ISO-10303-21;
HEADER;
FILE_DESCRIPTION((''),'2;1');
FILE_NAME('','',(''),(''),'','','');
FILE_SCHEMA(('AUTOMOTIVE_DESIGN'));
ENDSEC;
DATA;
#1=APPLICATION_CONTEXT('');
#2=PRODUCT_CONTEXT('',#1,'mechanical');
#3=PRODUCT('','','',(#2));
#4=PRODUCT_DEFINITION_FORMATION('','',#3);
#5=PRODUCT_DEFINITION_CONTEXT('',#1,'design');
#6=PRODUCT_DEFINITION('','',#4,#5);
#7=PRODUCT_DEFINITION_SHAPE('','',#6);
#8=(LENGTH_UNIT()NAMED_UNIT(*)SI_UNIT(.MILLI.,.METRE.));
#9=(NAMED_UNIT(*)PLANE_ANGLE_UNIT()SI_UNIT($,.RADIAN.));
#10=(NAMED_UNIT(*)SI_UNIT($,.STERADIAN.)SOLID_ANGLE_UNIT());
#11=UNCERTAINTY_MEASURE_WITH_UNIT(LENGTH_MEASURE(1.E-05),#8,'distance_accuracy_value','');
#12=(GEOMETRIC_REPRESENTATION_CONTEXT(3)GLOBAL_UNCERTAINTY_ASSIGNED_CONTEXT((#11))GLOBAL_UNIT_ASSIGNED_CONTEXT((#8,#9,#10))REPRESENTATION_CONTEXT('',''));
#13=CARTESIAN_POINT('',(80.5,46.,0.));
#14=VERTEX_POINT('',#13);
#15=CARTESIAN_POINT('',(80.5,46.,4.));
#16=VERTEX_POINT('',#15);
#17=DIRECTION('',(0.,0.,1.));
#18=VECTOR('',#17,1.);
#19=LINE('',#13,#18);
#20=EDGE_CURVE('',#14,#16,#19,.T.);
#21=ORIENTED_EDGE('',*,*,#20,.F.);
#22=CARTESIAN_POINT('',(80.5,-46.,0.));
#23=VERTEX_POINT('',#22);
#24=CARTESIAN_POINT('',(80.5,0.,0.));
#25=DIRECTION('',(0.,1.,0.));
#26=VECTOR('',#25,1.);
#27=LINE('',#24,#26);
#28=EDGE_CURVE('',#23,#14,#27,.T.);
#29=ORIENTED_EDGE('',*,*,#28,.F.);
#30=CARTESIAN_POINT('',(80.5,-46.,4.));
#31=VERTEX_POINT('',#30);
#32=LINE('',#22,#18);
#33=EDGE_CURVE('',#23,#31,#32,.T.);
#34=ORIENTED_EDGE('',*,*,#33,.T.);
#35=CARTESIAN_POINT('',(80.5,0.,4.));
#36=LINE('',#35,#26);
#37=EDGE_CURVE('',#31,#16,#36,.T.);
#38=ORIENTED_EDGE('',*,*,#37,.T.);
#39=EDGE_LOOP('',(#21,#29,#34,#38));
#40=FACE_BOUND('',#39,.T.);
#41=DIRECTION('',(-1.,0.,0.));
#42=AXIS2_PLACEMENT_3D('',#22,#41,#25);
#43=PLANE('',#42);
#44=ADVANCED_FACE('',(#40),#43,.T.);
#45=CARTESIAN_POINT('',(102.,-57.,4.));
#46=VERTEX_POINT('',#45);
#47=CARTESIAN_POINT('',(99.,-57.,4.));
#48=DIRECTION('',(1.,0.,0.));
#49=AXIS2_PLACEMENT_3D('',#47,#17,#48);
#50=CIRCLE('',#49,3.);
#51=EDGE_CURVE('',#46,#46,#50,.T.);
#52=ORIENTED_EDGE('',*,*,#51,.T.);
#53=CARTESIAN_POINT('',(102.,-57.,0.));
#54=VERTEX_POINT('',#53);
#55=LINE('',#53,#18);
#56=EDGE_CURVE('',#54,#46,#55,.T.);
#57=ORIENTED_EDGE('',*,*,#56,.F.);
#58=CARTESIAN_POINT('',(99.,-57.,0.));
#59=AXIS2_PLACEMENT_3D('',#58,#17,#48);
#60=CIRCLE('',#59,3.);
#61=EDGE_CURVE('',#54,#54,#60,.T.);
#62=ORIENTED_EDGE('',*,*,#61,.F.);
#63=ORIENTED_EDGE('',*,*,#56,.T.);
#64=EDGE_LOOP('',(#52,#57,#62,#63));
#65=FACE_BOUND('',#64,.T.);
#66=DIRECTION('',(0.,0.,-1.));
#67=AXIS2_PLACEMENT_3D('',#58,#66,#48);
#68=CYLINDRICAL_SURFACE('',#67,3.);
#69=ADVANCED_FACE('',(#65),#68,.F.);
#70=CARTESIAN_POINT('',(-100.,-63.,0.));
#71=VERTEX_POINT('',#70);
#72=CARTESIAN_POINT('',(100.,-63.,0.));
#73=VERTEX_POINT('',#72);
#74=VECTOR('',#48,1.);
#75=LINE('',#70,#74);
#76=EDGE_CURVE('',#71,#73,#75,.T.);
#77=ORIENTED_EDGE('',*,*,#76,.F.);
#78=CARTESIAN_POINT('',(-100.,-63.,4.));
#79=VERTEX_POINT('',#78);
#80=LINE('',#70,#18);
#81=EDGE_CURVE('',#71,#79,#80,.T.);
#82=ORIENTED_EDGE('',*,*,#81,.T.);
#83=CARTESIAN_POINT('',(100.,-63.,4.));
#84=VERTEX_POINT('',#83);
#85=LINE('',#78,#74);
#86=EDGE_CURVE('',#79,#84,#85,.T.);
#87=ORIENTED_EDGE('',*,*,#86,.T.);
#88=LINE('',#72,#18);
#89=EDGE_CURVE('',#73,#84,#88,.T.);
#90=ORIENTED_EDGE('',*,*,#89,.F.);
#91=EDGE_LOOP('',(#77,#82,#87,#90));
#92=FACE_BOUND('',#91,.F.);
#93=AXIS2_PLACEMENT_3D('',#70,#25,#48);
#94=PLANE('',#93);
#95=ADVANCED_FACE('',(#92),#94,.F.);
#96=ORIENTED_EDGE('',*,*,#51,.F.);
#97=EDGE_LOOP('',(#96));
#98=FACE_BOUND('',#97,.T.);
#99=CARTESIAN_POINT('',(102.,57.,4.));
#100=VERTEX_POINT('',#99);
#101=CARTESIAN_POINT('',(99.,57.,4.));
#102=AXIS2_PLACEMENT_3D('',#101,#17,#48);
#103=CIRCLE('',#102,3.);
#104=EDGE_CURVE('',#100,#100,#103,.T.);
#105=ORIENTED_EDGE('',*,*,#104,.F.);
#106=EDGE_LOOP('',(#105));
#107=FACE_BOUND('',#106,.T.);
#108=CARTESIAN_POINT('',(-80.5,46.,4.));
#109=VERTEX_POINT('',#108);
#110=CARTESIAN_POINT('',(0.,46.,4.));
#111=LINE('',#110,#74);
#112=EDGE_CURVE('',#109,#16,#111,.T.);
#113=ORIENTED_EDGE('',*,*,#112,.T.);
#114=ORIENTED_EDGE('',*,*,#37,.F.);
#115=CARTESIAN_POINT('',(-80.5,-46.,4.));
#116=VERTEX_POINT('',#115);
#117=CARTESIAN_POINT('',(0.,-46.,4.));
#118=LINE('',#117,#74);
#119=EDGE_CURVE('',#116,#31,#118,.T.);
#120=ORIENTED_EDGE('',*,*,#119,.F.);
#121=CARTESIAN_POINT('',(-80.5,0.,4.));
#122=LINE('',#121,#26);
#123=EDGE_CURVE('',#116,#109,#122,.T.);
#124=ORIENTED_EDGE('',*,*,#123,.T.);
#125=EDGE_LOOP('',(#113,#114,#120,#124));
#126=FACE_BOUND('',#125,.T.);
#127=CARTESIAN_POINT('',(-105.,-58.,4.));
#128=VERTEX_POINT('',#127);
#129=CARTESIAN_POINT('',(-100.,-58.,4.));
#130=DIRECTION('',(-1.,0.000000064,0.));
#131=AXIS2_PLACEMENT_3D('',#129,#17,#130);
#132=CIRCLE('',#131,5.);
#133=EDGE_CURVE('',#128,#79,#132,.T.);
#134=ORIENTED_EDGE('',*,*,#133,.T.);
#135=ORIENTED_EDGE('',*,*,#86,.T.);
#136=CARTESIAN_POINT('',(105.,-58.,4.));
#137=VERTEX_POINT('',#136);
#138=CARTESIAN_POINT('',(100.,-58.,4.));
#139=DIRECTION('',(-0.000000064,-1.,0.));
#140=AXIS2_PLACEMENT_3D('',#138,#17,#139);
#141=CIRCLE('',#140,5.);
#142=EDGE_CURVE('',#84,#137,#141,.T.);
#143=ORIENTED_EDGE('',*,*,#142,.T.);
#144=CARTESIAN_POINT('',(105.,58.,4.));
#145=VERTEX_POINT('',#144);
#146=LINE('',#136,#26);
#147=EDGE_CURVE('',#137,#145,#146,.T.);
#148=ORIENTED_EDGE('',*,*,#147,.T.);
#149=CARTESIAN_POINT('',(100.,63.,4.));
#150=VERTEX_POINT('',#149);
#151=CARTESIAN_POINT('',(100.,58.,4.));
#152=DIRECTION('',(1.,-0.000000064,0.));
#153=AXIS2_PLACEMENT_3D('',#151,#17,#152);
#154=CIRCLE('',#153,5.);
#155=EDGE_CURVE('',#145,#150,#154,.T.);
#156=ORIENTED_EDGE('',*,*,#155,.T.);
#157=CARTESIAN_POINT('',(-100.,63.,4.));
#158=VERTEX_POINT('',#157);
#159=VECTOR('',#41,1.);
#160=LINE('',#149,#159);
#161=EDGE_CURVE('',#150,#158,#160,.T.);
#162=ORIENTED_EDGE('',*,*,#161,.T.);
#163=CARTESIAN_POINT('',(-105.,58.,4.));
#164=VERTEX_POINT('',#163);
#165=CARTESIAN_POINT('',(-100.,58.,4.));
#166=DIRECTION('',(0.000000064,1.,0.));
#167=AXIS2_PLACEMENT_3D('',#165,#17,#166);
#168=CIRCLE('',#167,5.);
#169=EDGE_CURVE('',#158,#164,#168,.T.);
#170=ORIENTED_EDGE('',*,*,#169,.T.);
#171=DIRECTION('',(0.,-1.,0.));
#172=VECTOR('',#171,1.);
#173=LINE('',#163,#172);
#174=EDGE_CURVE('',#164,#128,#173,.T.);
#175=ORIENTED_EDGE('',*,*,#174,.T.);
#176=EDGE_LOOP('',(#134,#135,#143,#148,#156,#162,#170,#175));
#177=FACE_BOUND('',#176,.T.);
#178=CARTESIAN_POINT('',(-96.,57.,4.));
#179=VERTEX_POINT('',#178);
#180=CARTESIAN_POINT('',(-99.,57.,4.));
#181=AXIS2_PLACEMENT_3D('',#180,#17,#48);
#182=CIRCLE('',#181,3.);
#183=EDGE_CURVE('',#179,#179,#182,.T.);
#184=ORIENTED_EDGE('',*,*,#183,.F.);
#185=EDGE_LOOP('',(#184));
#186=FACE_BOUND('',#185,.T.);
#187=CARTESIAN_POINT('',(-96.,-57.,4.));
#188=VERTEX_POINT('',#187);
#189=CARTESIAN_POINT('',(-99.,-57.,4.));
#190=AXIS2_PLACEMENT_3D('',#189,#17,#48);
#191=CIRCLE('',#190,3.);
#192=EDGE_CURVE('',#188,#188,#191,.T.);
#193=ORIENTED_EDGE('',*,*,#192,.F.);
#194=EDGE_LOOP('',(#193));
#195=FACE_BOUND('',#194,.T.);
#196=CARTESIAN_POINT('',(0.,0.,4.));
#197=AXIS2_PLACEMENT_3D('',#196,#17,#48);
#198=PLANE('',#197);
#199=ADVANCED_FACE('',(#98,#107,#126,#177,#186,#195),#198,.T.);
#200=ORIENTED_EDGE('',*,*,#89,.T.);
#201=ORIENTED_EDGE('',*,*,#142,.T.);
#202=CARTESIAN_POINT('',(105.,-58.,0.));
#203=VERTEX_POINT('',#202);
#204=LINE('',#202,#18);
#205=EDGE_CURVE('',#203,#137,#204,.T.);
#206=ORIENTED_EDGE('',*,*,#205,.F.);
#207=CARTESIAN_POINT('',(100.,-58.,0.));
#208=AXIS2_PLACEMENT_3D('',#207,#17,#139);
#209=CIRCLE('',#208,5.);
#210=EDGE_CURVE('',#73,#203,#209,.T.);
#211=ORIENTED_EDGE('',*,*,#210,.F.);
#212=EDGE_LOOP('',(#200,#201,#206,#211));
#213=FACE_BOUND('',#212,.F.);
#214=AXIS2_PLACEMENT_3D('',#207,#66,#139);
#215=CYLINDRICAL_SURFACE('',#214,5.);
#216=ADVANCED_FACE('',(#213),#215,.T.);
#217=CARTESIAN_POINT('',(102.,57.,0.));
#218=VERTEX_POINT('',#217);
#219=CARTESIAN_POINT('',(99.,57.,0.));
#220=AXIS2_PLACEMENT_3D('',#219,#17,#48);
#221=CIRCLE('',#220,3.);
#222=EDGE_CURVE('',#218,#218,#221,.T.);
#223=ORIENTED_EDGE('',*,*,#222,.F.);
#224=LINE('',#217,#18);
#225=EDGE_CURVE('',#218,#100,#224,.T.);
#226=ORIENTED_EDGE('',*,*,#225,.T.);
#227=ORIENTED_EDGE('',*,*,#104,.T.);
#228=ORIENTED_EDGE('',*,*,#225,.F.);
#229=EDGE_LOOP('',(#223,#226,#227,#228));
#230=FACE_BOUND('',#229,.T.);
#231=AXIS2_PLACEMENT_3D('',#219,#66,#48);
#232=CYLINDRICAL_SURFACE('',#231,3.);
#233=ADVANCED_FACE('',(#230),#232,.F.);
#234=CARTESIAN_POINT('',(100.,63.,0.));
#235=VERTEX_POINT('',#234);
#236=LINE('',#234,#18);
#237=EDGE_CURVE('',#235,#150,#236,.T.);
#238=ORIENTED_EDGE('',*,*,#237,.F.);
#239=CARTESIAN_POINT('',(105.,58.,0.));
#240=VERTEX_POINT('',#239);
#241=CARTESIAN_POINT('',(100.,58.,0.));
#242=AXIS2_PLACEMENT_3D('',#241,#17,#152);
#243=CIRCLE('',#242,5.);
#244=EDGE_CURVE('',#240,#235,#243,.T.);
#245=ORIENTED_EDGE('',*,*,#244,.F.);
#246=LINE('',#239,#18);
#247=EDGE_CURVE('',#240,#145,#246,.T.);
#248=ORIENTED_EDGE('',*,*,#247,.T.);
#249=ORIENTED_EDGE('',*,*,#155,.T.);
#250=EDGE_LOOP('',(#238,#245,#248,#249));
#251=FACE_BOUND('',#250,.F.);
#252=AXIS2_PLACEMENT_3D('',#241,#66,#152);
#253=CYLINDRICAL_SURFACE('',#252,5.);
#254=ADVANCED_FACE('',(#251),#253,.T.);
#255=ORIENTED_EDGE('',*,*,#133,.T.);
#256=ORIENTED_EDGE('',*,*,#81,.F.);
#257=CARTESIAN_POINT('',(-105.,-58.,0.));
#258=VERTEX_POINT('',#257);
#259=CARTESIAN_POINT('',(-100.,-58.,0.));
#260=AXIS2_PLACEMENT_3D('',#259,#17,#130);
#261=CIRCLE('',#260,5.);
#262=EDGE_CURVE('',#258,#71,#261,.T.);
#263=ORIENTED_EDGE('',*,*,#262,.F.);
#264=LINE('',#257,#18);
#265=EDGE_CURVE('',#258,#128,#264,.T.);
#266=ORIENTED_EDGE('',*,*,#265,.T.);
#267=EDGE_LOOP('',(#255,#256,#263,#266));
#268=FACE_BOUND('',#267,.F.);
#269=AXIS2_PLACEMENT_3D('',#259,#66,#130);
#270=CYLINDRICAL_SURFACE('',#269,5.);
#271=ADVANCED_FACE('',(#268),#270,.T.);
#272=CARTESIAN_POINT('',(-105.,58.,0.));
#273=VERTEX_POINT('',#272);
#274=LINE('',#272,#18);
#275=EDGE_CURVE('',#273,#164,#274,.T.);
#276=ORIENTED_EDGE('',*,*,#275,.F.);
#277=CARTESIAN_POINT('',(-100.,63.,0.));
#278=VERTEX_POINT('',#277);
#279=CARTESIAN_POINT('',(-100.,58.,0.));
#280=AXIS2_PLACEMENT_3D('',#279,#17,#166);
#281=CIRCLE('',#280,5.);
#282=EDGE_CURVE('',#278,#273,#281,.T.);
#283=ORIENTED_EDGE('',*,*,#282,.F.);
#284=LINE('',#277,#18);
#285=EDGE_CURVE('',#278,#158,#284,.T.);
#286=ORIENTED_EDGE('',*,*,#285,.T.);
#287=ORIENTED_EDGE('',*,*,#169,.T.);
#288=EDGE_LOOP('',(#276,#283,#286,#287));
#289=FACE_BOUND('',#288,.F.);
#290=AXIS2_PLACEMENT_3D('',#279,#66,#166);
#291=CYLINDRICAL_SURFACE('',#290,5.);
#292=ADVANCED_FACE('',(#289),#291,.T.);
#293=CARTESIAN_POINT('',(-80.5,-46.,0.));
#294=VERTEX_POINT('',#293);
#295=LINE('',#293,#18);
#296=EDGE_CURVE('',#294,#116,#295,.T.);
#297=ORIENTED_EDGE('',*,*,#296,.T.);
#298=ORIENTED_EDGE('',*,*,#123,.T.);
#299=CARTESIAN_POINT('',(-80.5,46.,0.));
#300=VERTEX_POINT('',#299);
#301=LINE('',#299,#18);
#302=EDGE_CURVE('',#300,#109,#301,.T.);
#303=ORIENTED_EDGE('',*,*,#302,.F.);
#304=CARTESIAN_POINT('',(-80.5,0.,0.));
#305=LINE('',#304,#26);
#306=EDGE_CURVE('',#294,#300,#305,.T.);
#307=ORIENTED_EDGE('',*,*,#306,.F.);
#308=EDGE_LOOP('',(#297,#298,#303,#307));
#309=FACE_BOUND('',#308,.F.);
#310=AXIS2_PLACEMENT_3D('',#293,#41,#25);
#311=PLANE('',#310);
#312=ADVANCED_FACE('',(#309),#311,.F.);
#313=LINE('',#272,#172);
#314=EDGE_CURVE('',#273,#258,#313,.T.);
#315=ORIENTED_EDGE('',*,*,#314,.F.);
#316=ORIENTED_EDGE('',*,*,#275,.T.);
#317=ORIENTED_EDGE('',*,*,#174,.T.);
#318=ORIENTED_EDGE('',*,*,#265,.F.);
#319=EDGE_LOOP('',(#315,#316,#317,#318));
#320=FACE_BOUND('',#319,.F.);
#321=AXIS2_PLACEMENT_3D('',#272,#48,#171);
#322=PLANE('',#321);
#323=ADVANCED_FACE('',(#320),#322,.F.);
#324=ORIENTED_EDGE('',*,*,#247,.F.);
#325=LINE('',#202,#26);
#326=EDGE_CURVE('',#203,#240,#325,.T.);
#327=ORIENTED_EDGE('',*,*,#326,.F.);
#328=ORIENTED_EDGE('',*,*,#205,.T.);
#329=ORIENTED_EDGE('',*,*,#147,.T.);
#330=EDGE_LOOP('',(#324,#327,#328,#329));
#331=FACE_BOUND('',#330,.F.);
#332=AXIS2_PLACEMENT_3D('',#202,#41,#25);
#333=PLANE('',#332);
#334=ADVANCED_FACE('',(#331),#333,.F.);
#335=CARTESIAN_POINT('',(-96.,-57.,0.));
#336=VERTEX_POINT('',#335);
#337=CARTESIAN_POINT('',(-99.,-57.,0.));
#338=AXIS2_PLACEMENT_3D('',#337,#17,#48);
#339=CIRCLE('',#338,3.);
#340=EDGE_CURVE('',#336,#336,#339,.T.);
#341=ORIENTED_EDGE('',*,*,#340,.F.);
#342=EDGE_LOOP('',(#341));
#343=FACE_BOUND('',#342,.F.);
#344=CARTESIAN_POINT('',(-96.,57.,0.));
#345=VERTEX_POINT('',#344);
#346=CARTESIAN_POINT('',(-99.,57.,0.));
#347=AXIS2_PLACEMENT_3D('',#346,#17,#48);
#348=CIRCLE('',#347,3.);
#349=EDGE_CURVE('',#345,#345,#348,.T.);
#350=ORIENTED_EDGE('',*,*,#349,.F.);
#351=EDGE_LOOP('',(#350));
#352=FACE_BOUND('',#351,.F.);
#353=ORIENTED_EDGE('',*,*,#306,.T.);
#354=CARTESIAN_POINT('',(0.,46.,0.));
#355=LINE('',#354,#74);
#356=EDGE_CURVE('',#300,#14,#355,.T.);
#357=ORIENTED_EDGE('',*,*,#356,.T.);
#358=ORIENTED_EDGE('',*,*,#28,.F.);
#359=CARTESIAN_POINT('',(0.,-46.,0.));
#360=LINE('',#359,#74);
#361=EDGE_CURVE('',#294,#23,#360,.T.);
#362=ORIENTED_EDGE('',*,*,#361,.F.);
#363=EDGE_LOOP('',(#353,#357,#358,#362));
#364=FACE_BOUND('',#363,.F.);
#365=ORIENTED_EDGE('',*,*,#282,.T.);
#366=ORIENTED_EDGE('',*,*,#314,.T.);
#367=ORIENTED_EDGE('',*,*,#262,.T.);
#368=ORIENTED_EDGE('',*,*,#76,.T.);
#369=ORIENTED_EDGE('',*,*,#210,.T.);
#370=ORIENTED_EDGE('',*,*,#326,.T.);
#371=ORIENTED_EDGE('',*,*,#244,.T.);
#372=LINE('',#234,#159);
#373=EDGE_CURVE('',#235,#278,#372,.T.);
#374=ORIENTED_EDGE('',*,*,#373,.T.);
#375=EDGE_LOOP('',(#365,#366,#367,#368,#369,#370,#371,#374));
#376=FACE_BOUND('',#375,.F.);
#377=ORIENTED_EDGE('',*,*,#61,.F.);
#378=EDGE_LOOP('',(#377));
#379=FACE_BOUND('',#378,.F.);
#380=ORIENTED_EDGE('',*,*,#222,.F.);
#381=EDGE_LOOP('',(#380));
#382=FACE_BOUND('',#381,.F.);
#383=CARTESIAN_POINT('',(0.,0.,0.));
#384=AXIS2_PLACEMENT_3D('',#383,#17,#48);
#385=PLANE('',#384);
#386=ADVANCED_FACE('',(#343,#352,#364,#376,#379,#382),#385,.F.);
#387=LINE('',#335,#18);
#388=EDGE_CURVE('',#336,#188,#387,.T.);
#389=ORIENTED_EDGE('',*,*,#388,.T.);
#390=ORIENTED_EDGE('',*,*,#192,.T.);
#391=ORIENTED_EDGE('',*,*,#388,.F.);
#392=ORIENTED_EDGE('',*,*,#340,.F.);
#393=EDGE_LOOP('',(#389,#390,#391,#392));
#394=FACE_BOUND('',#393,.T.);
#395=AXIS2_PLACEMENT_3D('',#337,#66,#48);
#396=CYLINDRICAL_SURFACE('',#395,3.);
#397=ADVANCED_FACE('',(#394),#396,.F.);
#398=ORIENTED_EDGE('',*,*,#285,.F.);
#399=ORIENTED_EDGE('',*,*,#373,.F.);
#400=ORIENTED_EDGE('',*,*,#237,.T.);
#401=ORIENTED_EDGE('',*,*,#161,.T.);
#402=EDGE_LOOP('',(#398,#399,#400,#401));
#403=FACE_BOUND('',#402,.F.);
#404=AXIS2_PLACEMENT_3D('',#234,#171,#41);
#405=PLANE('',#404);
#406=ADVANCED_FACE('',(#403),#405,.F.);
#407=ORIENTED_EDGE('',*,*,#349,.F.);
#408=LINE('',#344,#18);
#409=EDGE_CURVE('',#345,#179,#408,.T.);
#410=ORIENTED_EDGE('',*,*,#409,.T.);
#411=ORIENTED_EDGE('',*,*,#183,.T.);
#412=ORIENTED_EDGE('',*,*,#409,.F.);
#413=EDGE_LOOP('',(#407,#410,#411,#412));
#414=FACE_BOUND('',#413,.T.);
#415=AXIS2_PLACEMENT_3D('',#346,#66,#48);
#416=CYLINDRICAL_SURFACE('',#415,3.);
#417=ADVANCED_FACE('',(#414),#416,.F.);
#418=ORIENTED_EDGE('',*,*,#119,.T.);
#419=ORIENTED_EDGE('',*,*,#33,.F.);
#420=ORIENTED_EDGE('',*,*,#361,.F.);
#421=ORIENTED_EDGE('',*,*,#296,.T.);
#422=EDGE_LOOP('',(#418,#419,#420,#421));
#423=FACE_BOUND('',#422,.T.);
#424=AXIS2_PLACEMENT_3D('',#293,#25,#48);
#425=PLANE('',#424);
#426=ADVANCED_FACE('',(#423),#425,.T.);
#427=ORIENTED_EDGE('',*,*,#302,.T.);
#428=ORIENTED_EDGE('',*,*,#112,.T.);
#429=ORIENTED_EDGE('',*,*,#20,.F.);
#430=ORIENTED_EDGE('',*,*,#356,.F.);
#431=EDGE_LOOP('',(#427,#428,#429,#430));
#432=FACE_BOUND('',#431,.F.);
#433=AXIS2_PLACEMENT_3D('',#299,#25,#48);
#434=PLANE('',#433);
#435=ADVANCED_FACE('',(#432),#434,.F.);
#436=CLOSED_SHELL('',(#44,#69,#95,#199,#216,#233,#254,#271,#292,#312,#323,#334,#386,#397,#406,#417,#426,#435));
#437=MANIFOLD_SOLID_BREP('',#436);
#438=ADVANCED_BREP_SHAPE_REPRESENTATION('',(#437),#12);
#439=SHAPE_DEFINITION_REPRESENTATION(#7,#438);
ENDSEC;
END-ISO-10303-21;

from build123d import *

# Parameters (mm, degrees)
F1_R     = 3
F1_W     = 161
F1_H     = 92
F2_DEPTH = 4


with BuildPart() as f2:
    # F1 (on Top) → F2 (new body)
    with BuildSketch(Plane.XY):
        with BuildLine():
            ThreePointArc((105, 58), (103.535534, 61.535534), (100, 63))
            Line((100, 63), (-100, 63))
            ThreePointArc((-100, 63), (-103.535534, 61.535534), (-105, 58))
            Line((-105, 58), (-105, -58))
            ThreePointArc((-105, -58), (-103.535534, -61.535534), (-100, -63))
            Line((-100, -63), (100, -63))
            ThreePointArc((100, -63), (103.535534, -61.535534), (105, -58))
            Line((105, -58), (105, 58))
        make_face()
        with Locations((-99, -57)):
            Circle(F1_R, mode=Mode.SUBTRACT)
        with Locations((99, -57)):
            Circle(F1_R, mode=Mode.SUBTRACT)
        with Locations((-99, 57)):
            Circle(F1_R, mode=Mode.SUBTRACT)
        Rectangle(F1_W, F1_H, mode=Mode.SUBTRACT)
        with Locations((99, 57)):
            Circle(F1_R, mode=Mode.SUBTRACT)
    extrude(amount=F2_DEPTH)


solid = f2.part
